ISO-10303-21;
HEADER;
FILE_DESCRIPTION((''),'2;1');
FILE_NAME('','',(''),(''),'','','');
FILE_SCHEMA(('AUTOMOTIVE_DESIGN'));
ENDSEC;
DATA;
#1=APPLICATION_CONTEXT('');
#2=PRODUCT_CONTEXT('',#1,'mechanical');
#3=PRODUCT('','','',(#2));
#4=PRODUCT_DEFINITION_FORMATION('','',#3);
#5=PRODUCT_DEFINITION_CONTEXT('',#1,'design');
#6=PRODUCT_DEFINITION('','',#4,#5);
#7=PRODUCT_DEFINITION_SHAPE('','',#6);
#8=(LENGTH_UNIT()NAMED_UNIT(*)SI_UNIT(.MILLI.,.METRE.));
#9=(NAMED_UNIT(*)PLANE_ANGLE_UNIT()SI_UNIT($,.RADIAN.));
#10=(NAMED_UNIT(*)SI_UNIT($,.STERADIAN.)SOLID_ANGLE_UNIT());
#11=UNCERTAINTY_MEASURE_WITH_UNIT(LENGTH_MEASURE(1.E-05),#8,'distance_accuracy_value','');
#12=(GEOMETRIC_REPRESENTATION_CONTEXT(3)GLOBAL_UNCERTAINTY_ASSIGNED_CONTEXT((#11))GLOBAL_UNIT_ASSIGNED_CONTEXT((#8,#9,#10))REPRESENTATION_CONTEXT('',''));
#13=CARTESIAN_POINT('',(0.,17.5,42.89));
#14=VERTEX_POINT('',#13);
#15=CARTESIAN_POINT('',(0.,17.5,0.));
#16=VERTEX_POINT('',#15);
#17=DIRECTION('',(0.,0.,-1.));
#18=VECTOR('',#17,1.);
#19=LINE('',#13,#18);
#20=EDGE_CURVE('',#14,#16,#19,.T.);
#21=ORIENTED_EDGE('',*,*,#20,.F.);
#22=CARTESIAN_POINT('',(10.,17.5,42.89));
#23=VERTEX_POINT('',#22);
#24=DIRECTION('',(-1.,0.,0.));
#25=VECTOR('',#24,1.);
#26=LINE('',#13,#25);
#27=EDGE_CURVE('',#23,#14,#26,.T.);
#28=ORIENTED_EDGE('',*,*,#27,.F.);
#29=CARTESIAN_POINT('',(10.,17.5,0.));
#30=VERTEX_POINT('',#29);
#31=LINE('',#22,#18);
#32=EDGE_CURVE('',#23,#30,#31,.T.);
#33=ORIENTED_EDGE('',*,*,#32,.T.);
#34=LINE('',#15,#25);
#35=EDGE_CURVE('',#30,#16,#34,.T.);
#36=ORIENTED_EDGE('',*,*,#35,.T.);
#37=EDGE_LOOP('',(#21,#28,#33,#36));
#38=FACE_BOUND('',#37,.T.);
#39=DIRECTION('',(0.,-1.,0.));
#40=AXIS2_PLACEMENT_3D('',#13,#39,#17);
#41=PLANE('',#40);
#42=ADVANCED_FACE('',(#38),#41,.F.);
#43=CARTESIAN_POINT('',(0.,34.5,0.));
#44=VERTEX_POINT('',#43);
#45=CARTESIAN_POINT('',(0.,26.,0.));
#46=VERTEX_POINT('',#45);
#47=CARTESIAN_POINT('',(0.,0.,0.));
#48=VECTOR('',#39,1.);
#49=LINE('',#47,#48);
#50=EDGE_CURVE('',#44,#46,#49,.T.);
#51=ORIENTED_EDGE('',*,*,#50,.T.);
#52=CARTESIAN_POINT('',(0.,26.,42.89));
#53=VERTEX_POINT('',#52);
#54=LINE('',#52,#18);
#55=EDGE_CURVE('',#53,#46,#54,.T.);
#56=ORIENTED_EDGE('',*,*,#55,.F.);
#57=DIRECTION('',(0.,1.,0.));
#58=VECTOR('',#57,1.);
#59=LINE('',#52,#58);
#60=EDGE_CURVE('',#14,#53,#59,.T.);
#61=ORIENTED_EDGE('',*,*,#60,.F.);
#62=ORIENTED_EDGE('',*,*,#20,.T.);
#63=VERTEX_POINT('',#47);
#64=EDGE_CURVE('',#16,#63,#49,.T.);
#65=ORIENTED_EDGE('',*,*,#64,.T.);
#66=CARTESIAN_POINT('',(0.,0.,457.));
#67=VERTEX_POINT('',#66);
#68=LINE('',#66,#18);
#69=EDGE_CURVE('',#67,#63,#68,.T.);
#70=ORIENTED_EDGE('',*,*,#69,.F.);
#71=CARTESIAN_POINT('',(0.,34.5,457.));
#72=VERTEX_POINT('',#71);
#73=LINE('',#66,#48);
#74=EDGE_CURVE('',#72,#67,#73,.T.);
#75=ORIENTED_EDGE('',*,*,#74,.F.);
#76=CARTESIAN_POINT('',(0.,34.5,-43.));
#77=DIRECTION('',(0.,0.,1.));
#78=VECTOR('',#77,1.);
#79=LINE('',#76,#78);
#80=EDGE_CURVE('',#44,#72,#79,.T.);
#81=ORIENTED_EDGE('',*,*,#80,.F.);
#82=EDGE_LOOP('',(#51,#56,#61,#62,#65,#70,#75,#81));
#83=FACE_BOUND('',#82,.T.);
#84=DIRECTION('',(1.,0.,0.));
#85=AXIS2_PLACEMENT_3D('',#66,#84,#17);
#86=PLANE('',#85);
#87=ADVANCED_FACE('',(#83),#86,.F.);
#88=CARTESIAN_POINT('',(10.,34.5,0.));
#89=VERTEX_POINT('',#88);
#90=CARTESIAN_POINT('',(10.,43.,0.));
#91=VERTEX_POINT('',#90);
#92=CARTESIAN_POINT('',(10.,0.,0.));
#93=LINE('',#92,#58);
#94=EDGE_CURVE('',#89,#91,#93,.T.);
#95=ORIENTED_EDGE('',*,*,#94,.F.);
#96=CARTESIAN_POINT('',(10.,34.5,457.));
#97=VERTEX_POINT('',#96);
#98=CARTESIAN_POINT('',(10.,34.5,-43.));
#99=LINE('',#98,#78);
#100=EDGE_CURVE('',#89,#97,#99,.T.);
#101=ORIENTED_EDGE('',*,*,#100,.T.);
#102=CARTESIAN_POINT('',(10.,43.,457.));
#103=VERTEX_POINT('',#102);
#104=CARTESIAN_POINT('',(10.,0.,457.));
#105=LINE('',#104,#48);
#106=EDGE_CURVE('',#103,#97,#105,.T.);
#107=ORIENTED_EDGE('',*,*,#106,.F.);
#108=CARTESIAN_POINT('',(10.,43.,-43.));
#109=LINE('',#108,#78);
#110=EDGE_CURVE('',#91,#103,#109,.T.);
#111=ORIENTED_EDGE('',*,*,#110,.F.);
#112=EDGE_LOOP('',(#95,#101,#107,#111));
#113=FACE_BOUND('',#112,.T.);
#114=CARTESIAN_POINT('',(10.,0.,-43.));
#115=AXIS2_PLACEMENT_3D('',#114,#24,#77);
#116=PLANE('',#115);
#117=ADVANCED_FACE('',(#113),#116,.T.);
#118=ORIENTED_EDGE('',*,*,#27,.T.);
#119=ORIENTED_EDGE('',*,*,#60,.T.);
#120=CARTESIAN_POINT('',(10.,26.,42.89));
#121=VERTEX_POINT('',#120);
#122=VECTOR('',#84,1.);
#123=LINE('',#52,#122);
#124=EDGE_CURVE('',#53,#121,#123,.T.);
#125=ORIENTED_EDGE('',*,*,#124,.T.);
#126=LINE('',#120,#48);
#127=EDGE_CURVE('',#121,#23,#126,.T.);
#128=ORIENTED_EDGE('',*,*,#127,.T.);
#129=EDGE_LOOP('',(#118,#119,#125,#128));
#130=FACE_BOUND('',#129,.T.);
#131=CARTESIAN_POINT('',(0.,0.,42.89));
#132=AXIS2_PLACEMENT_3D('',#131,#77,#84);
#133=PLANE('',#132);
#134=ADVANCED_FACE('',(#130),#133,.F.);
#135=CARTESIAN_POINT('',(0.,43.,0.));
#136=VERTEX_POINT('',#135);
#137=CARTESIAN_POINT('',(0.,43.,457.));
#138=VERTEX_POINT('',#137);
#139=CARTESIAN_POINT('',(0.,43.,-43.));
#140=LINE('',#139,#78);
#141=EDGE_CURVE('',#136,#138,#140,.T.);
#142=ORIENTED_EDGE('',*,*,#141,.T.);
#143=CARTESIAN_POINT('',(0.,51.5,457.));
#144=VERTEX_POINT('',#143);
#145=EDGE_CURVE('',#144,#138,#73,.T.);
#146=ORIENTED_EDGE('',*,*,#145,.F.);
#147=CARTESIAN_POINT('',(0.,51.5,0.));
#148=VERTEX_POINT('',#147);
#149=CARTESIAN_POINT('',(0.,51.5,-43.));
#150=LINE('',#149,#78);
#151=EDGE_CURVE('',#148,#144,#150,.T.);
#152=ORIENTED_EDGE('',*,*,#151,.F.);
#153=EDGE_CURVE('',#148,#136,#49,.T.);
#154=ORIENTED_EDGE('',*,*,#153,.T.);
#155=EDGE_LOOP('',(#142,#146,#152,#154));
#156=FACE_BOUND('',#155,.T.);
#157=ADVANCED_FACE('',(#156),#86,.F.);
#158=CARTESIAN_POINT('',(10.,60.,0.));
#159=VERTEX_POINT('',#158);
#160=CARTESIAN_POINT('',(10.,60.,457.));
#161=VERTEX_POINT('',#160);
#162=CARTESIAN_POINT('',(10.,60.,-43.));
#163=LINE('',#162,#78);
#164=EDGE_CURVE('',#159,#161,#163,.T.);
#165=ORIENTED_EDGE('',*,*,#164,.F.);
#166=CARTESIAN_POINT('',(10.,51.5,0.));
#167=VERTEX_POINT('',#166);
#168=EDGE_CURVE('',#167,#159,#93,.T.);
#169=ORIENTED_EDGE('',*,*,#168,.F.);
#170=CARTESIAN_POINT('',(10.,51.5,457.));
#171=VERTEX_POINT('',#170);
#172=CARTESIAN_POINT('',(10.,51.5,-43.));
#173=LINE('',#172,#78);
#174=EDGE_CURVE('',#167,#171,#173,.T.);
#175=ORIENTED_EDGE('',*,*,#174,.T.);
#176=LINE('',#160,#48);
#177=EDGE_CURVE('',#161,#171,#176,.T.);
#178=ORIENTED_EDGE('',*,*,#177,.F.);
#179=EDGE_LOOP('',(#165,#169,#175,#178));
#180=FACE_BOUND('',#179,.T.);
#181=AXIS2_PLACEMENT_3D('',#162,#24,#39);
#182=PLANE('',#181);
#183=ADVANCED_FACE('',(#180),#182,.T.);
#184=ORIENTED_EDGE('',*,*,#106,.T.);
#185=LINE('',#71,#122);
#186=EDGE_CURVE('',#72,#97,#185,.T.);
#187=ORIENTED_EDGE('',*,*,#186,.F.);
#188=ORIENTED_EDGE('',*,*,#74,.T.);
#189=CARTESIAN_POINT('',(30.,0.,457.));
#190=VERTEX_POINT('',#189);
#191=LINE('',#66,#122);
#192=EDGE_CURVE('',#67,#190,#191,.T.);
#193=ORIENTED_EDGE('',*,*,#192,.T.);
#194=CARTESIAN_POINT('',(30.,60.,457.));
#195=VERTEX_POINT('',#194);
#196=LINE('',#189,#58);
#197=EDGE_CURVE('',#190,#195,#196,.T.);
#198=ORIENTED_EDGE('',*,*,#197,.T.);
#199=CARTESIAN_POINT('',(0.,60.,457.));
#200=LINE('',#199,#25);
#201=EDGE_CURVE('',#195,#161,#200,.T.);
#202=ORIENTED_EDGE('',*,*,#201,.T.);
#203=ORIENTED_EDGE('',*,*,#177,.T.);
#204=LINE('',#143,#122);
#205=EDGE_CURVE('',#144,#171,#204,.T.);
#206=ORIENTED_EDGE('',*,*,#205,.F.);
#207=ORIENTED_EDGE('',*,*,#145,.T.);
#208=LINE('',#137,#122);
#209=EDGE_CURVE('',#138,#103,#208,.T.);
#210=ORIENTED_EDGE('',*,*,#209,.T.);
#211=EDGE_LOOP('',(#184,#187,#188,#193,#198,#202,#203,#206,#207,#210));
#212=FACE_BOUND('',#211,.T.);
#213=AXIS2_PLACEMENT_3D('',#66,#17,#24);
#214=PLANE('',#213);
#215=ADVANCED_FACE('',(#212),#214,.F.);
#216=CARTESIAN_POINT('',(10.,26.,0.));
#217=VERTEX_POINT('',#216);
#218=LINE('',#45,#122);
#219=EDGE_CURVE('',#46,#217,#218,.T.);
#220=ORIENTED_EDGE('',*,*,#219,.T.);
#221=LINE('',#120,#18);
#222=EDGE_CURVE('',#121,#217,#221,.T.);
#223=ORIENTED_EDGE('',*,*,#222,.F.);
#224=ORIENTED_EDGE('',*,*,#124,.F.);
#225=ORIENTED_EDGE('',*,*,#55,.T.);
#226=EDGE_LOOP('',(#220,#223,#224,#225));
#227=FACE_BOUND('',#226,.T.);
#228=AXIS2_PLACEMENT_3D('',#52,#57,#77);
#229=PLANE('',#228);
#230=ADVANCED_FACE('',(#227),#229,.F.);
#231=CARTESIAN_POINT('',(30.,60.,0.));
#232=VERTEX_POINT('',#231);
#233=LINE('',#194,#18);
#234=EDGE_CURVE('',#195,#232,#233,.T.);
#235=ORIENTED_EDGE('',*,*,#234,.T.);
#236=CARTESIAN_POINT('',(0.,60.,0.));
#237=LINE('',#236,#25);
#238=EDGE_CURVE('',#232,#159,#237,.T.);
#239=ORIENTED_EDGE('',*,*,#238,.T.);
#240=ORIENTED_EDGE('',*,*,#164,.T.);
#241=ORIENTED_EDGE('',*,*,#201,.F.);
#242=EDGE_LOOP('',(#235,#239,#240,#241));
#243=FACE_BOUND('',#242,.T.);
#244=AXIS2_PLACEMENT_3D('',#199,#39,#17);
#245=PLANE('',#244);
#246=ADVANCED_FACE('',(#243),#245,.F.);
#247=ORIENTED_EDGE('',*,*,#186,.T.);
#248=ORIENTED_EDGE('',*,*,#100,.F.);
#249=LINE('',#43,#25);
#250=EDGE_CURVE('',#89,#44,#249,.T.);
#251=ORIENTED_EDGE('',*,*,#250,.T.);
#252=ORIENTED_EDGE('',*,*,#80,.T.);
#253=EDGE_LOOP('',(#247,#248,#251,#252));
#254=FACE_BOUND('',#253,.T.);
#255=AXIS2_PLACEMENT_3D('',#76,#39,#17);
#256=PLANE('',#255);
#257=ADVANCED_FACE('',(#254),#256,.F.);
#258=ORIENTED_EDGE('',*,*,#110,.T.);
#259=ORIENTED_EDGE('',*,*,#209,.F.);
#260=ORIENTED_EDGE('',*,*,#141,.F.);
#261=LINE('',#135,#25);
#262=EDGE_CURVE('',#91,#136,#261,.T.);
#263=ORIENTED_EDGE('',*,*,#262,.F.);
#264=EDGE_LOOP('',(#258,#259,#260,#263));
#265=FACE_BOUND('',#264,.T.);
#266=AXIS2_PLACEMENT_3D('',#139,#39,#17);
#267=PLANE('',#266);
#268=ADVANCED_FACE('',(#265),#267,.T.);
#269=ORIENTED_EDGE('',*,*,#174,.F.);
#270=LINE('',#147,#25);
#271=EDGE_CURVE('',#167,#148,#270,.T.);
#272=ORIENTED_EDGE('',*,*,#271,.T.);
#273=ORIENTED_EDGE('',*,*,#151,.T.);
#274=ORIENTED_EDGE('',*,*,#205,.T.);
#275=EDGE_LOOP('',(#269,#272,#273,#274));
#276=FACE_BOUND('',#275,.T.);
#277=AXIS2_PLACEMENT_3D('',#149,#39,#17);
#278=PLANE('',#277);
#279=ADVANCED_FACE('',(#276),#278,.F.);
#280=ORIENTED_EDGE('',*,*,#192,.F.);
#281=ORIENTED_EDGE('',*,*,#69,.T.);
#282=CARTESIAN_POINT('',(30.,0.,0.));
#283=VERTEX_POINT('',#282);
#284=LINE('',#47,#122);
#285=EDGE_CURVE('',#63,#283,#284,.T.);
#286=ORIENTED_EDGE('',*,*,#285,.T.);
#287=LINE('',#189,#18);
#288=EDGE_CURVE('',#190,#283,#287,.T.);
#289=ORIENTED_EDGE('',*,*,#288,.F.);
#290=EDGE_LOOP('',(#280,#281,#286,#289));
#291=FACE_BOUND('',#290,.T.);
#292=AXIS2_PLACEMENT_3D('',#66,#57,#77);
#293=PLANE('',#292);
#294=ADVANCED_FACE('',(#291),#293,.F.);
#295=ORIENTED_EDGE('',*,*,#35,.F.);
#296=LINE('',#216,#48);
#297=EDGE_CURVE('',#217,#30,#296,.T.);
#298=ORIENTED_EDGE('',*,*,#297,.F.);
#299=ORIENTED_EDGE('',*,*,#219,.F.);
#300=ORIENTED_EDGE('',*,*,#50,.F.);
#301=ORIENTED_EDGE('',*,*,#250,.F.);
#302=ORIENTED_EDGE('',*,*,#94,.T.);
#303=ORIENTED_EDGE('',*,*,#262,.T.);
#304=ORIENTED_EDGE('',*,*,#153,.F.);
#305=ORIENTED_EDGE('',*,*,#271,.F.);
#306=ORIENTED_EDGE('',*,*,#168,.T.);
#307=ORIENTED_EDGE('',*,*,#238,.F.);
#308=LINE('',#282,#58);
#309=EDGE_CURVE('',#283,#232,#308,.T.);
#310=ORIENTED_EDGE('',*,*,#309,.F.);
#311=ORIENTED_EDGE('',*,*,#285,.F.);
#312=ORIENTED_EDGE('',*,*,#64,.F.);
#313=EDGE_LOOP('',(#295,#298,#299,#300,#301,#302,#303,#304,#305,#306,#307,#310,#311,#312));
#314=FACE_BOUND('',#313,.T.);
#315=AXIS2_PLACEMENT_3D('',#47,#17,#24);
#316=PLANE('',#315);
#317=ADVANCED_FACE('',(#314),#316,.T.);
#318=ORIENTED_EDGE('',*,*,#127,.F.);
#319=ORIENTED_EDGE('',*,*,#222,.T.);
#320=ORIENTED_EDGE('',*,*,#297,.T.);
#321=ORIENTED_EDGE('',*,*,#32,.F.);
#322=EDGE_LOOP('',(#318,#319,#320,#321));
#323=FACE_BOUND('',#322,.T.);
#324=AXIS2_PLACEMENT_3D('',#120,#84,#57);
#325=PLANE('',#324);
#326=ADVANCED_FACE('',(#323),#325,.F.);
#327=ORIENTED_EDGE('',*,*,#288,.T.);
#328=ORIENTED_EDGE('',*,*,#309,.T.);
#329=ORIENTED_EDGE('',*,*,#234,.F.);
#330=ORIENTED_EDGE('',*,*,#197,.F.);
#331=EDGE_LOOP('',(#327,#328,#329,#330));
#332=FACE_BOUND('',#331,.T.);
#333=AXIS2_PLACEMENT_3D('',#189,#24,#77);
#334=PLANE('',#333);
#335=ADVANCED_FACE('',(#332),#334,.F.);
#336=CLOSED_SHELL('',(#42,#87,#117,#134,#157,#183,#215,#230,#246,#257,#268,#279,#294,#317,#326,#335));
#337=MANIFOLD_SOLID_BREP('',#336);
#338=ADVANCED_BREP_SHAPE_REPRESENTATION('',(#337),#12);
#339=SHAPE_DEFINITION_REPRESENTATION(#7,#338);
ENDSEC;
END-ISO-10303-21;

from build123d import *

# Parameters (mm, degrees)
SKETCH1_W           = 30
SKETCH1_H           = 60
BOSS_EXTRUDE1_DEPTH = 457
SKETCH2_W           = 10
SKETCH2_H           = 8.5
CUT_EXTRUDE1_DEPTH  = 500
SKETCH3_W           = 10
SKETCH3_H           = 8.5
CUT_EXTRUDE2_DEPTH  = 42.89


with BuildPart() as part:
    # Sketch1 → Boss-Extrude1 (new body)
    with BuildSketch(Plane.XY):
        with Locations((15, 30)):
            Rectangle(SKETCH1_W, SKETCH1_H)
    extrude(amount=BOSS_EXTRUDE1_DEPTH)

    # Sketch2 → Cut-Extrude1 (cut)
    with BuildSketch(Plane.XY.offset(457)):
        with Locations((5, 38.75)):
            Rectangle(SKETCH2_W, SKETCH2_H)
        with Locations((5, 55.75)):
            Rectangle(SKETCH2_W, SKETCH2_H)
    extrude(amount=-CUT_EXTRUDE1_DEPTH, mode=Mode.SUBTRACT)

    # Sketch3 → Cut-Extrude2 (cut)
    with BuildSketch(Plane(origin=(0, 0, 0), x_dir=(-1, 0, 0), z_dir=(0, 0, -1))):
        with Locations((-5, 21.75)):
            Rectangle(SKETCH3_W, SKETCH3_H)
    extrude(amount=-CUT_EXTRUDE2_DEPTH, mode=Mode.SUBTRACT)


solid = part.part
